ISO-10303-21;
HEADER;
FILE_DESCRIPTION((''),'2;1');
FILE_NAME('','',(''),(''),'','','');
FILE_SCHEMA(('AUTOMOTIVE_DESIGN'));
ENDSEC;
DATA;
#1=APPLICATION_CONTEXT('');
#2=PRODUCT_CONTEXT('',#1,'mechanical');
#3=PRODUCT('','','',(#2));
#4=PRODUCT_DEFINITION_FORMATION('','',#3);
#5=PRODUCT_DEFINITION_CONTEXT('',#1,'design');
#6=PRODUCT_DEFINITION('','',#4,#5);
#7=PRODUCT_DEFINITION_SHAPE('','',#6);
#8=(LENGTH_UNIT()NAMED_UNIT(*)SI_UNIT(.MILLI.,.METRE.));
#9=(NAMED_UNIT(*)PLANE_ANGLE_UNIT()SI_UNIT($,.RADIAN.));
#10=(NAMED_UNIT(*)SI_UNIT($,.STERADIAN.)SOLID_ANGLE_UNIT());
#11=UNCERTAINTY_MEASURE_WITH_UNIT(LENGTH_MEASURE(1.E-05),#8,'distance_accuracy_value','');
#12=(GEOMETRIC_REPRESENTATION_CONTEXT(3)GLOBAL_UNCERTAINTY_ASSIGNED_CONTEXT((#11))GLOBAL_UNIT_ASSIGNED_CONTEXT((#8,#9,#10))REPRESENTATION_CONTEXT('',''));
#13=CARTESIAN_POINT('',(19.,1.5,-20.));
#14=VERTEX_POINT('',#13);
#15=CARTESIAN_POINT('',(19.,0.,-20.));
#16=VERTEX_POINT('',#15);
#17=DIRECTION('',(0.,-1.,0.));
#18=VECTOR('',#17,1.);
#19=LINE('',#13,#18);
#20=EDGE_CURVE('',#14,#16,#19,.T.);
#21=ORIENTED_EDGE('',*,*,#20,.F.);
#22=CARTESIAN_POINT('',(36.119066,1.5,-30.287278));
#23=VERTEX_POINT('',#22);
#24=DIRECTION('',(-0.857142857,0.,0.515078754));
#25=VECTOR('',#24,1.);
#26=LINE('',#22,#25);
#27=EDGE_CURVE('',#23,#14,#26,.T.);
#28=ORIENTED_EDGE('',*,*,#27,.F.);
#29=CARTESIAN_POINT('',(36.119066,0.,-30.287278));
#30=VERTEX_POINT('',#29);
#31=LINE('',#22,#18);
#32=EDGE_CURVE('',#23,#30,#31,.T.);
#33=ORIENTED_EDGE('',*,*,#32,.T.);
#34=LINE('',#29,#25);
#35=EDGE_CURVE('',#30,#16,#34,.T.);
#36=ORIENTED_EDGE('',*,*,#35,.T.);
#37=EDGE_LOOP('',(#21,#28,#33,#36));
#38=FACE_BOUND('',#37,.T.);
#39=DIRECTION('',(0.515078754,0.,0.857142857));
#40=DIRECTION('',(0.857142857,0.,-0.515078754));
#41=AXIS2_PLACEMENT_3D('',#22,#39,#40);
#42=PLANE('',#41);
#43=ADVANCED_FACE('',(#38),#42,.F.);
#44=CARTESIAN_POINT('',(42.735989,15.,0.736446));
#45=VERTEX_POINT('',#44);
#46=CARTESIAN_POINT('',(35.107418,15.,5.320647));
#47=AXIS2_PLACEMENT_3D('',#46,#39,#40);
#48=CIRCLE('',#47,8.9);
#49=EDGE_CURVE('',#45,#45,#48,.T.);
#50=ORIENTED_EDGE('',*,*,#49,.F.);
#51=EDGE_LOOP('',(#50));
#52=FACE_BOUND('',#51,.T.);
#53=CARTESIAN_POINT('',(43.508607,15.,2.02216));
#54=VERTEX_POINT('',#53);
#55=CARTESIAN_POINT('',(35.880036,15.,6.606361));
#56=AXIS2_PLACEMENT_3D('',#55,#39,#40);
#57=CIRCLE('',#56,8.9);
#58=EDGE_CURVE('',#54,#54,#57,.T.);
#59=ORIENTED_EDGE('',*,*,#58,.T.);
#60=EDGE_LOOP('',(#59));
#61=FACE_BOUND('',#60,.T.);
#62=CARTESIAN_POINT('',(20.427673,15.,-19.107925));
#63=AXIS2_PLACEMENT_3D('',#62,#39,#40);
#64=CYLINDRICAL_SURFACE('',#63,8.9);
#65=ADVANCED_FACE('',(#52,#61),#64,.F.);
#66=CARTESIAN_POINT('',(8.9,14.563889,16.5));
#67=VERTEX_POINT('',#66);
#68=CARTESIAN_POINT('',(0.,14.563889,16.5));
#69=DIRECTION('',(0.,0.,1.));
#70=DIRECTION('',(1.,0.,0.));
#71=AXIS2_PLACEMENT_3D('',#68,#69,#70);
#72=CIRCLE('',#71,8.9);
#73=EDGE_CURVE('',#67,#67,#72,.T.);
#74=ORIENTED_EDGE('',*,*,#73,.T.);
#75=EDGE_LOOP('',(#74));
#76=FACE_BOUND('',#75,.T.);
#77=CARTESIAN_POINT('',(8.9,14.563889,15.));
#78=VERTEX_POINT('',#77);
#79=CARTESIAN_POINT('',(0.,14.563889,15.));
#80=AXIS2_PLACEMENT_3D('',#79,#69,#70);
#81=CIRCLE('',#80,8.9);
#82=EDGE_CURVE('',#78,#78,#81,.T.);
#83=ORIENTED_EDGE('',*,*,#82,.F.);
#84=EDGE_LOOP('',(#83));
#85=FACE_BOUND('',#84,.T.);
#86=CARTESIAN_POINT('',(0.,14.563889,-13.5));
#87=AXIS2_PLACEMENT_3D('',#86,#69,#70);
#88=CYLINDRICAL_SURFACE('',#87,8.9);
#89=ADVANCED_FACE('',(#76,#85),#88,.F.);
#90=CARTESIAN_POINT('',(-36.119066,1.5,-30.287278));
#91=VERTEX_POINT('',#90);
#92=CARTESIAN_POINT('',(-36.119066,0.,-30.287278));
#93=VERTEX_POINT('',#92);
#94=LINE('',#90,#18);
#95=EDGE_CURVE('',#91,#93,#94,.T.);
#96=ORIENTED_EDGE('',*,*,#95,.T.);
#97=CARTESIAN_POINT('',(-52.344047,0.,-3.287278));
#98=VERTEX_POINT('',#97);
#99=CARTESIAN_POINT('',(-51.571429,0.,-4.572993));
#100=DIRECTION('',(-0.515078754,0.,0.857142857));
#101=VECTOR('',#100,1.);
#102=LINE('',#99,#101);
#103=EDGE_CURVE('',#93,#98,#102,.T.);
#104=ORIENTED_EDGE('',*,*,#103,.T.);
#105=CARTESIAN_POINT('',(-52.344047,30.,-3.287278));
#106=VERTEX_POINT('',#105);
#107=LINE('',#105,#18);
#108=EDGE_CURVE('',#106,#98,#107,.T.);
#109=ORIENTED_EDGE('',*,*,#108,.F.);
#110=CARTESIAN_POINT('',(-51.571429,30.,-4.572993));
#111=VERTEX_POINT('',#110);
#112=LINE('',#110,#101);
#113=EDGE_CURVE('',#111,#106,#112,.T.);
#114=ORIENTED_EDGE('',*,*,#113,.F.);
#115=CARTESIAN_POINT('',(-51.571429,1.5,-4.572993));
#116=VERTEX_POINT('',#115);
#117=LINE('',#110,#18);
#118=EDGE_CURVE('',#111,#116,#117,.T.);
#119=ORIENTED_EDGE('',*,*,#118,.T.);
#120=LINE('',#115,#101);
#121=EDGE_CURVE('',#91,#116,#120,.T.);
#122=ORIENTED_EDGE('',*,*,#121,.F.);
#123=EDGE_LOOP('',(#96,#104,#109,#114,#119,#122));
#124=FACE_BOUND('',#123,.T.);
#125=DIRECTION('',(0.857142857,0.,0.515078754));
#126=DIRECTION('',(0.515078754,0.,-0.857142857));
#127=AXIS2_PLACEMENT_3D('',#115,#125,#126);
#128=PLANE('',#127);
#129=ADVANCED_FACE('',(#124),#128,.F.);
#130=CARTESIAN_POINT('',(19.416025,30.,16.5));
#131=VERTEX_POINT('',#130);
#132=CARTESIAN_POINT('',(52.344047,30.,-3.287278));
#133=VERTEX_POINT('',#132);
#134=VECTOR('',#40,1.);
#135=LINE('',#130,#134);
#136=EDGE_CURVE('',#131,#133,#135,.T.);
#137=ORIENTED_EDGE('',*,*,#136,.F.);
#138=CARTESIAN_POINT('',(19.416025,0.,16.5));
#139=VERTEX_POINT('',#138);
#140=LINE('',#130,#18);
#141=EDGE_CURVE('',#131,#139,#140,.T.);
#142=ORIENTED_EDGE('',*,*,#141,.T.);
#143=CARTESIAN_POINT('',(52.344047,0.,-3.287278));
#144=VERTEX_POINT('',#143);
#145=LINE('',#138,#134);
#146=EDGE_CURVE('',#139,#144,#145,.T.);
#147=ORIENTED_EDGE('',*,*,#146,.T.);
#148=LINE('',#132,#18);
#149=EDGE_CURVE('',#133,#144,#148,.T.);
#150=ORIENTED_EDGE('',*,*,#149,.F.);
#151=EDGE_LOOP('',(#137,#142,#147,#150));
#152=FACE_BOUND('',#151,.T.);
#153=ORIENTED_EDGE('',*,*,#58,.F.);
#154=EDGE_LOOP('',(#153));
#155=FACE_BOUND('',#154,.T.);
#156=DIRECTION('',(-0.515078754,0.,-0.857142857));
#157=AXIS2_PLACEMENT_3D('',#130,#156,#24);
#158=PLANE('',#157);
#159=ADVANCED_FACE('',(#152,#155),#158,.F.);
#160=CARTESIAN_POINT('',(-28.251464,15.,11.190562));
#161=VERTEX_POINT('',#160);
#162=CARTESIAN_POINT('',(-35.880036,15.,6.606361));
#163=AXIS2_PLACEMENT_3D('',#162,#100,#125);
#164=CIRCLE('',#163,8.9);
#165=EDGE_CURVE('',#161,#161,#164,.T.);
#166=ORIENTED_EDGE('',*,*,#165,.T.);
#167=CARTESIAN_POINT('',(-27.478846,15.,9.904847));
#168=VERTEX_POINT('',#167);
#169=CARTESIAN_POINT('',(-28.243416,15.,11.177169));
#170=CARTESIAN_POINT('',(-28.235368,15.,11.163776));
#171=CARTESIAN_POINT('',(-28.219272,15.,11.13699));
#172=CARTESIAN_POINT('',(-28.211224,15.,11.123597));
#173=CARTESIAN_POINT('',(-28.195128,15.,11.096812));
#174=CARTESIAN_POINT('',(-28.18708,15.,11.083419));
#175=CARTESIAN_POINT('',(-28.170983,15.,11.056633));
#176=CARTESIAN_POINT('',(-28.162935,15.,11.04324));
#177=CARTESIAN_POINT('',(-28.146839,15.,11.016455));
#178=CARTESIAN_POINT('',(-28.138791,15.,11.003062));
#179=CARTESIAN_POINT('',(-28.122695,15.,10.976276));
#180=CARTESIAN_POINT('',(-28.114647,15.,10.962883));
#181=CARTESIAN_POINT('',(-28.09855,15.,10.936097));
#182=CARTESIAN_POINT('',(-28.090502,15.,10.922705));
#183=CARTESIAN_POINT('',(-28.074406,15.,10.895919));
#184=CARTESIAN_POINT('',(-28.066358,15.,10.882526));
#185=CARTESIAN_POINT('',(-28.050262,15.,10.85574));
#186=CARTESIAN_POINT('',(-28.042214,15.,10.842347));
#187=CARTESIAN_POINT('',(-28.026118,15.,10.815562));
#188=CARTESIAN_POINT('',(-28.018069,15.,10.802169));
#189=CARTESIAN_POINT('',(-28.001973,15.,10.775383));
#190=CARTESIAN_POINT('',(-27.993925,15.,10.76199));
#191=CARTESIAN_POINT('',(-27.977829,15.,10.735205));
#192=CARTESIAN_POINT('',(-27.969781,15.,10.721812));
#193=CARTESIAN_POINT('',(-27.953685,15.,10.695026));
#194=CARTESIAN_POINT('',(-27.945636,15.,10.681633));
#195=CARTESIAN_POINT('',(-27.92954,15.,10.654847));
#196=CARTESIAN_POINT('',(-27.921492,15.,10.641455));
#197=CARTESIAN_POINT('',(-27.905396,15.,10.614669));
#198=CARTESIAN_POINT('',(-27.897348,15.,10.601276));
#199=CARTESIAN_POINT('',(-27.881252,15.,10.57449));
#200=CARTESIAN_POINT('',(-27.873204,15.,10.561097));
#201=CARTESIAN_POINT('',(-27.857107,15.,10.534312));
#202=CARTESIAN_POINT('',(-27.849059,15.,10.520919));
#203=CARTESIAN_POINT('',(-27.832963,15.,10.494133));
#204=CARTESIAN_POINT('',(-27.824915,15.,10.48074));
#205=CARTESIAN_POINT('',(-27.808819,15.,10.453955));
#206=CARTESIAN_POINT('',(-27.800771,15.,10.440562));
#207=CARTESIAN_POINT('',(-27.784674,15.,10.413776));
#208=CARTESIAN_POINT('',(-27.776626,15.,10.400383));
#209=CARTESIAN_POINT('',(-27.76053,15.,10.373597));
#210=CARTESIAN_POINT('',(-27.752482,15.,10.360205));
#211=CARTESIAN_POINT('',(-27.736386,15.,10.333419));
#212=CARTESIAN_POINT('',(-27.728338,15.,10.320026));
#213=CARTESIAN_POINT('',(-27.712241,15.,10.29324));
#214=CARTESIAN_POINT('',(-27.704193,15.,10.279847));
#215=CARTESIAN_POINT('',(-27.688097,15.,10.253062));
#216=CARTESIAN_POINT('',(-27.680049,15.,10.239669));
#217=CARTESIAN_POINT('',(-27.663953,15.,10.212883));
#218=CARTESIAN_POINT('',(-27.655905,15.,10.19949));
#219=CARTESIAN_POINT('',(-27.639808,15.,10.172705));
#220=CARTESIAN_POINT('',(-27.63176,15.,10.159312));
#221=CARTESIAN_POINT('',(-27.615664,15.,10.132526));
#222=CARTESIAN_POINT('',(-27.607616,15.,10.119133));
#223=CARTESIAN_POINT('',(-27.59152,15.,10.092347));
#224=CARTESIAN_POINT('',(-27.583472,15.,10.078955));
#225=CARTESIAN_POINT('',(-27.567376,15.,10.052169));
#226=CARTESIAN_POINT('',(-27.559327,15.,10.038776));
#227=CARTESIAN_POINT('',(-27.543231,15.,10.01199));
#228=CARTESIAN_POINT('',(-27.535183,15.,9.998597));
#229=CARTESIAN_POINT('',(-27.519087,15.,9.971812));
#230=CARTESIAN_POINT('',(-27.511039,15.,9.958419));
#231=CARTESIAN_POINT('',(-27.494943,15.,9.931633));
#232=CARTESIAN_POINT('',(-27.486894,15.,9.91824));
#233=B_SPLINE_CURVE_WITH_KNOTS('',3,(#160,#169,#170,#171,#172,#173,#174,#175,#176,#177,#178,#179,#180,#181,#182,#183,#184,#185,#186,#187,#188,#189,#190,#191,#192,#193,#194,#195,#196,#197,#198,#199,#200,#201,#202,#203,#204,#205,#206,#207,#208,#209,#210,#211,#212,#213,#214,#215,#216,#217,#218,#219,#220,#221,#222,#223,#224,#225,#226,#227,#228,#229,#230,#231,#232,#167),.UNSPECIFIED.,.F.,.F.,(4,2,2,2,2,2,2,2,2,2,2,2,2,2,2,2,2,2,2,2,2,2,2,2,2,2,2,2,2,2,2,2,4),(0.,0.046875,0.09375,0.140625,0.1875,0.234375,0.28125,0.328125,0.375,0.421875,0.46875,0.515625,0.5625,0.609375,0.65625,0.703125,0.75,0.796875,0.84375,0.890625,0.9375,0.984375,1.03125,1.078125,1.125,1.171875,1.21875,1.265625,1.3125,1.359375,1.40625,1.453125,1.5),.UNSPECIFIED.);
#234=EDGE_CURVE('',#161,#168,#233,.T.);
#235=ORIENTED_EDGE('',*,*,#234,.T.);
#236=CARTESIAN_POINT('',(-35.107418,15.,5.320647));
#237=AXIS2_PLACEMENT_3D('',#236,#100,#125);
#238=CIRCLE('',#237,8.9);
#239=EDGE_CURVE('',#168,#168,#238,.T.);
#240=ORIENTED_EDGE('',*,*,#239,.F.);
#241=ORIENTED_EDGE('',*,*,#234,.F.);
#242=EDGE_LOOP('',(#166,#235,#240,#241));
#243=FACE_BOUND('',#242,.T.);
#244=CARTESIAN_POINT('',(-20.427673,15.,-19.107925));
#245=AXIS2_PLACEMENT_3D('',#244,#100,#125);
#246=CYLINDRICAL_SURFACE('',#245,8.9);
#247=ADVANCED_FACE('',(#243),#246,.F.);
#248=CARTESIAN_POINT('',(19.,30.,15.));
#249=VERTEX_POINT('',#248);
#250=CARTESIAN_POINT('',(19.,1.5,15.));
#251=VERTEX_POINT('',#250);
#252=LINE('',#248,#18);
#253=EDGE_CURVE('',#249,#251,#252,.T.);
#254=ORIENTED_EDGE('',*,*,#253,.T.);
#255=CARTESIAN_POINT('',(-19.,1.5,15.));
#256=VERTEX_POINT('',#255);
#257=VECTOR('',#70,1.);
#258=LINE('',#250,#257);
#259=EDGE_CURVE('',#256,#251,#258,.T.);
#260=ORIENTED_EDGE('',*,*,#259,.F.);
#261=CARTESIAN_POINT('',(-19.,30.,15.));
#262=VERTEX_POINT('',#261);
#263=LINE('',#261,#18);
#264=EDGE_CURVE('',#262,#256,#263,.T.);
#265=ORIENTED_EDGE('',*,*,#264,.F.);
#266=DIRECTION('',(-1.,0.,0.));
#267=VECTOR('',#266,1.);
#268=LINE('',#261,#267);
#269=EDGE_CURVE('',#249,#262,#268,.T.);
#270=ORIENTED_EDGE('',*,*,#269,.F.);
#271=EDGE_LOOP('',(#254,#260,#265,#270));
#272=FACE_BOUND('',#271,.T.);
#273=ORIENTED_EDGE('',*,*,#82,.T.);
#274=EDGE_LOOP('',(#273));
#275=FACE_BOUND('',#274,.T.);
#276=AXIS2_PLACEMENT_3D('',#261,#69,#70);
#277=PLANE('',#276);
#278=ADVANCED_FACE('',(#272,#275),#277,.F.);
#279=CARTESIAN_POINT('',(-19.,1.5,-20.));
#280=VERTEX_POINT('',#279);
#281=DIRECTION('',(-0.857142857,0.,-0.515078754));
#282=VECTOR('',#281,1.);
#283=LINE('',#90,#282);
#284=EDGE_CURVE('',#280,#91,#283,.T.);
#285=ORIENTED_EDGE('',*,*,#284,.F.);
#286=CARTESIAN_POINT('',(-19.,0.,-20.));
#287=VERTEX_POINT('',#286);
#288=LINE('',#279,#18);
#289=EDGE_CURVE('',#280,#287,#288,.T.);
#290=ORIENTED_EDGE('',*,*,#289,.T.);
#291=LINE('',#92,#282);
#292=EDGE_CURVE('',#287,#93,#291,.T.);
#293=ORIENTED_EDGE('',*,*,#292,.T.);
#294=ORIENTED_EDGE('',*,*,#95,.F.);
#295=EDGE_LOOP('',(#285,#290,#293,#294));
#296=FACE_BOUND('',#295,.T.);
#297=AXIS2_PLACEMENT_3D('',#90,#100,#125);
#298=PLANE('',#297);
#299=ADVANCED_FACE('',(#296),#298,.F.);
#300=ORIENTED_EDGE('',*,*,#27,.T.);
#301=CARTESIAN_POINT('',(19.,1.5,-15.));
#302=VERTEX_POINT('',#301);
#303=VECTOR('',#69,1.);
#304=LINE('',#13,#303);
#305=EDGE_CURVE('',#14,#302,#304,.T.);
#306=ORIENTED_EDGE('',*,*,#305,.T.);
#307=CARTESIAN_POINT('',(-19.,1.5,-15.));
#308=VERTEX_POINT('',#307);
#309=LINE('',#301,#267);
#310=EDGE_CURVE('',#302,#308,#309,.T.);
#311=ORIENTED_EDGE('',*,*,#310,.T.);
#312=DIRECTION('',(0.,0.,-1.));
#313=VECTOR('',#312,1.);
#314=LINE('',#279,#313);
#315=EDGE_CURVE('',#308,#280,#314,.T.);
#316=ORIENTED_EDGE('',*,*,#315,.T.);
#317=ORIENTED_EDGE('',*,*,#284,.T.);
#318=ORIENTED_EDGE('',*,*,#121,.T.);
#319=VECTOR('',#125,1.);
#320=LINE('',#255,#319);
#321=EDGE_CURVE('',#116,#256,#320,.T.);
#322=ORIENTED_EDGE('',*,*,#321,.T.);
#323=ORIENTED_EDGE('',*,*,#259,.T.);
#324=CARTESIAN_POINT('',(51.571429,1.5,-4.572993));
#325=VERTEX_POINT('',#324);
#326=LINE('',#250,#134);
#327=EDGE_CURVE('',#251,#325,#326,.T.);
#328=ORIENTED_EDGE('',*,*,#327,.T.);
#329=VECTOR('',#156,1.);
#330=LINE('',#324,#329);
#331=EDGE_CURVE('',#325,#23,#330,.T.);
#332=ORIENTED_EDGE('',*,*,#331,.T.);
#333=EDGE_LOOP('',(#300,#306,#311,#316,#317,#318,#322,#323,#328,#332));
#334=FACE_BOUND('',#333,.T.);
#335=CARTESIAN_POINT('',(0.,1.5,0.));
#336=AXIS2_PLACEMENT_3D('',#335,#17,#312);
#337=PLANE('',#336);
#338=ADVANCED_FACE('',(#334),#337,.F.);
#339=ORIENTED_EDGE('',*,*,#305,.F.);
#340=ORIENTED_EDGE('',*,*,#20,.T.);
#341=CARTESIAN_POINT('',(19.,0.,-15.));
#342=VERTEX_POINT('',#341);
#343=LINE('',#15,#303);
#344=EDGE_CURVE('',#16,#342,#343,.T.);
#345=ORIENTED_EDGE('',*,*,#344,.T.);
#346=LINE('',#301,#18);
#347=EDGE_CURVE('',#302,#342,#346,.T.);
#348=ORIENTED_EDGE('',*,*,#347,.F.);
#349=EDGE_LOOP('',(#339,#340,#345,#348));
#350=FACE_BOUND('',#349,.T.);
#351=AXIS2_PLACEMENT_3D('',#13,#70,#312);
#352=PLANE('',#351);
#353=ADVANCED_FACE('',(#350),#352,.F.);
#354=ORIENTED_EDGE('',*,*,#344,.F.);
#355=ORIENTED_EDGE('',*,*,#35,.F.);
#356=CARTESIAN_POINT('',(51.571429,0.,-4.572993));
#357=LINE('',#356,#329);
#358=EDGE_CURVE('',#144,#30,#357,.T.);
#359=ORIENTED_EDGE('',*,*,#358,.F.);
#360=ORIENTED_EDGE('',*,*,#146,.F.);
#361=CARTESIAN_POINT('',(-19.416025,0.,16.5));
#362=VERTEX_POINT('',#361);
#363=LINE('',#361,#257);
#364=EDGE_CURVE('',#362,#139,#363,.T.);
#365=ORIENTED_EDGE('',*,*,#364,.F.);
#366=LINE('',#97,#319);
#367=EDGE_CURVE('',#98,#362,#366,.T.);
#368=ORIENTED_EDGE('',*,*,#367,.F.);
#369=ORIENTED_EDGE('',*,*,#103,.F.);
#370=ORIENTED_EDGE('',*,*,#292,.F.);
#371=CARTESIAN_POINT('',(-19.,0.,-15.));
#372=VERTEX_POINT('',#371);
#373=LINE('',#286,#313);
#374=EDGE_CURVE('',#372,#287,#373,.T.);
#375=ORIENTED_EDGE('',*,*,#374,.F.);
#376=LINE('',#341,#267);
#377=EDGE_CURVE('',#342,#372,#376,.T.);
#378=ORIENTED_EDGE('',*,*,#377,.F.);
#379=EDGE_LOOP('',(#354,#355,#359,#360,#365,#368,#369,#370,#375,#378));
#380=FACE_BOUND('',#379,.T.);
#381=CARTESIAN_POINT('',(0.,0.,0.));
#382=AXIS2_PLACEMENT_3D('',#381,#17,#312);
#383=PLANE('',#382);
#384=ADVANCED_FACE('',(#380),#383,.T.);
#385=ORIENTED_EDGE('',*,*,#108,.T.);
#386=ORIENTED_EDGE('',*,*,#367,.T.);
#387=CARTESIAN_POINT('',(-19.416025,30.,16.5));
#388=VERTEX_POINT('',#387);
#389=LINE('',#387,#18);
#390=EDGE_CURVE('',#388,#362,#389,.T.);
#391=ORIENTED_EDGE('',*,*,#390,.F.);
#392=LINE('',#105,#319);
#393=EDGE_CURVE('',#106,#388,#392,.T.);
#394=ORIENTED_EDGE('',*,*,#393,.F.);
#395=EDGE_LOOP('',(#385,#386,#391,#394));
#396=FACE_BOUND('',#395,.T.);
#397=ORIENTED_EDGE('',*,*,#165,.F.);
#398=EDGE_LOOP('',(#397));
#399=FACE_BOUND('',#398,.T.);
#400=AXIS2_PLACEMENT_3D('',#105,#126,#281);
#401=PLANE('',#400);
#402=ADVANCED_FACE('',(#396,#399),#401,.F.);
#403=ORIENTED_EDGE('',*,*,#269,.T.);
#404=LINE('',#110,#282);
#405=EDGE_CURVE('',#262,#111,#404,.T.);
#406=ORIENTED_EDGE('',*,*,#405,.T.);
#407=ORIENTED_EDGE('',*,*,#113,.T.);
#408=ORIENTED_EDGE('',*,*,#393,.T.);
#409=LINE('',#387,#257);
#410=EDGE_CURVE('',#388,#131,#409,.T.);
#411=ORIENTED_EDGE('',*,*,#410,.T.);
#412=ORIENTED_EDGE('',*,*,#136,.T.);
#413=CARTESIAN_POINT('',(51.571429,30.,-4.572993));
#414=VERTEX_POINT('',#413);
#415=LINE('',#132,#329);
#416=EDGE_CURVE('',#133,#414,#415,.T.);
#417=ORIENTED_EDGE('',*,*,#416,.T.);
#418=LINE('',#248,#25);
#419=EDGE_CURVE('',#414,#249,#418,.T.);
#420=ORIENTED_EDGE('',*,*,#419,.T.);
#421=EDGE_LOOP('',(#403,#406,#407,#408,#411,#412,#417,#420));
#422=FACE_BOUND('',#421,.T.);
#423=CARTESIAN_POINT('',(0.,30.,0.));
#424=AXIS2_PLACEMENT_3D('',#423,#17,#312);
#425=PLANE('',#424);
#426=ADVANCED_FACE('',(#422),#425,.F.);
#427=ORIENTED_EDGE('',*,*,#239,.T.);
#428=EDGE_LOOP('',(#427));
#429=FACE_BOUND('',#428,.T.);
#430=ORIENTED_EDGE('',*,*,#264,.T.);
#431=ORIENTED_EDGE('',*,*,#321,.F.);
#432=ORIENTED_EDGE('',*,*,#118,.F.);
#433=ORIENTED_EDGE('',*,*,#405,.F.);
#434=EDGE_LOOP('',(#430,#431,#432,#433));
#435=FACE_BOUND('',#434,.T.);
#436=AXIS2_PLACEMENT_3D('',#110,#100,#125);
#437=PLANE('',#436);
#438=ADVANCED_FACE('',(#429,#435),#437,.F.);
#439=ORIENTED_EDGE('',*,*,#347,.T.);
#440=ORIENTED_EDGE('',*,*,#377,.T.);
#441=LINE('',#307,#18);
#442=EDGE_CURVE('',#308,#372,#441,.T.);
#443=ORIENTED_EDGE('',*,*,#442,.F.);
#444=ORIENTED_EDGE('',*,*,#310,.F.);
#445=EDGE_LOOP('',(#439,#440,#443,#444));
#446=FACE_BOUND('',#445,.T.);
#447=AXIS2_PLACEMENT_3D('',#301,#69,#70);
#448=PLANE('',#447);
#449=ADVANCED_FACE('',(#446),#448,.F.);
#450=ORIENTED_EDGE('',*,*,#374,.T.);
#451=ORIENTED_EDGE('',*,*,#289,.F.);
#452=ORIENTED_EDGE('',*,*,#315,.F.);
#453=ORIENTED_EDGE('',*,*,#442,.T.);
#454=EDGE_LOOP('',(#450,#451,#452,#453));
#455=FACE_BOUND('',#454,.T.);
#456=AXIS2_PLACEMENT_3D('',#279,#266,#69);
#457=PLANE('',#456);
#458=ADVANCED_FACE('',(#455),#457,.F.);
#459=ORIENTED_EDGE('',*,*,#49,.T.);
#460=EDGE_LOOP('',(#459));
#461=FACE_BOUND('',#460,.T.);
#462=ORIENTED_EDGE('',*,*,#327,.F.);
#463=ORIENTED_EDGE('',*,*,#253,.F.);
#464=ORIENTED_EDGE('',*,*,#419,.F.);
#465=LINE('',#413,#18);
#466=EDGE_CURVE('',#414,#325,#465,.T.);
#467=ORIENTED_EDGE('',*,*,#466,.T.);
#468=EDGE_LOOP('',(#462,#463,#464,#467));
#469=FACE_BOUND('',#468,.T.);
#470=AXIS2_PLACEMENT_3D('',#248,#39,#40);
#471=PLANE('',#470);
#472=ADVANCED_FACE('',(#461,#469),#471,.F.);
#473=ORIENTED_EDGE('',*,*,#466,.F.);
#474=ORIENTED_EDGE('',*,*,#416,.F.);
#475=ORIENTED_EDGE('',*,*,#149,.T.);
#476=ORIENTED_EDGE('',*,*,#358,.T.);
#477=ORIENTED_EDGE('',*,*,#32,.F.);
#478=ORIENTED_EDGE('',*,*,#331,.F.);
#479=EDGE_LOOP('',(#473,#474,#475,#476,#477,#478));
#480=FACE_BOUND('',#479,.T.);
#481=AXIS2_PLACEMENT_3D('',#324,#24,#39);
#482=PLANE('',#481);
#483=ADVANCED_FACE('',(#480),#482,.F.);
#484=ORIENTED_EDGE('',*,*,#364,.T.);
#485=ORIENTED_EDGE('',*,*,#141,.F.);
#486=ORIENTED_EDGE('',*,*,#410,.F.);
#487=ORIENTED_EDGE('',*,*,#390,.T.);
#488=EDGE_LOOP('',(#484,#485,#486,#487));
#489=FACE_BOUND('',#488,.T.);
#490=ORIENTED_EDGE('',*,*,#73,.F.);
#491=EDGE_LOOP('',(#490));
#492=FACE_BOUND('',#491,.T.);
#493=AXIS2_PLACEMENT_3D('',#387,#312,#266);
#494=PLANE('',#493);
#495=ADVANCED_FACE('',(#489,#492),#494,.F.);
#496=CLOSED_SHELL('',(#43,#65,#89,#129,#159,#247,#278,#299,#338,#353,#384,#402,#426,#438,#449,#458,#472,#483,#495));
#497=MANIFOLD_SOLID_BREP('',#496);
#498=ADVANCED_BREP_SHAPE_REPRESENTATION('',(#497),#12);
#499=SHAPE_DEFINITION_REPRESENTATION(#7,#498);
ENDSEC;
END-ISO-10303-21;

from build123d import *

# Parameters (mm, degrees)
SALIENTE_EXTRUIR1_DEPTH = 1.5
SALIENTE_EXTRUIR2_DEPTH = 30
CROQUIS3_R              = 8.9
CORTAR_EXTRUIR1_DEPTH   = 30
CROQUIS4_R              = 8.9
CORTAR_EXTRUIR2_DEPTH   = 30
CROQUIS5_R              = 8.9
CORTAR_EXTRUIR3_DEPTH   = 30


with BuildPart() as part:
    # Croquis1 → Saliente-Extruir1 (new body)
    with BuildSketch(Plane(origin=(0, 0, 0), x_dir=(1, 0, 0), z_dir=(0, 1, 0))):
        Polygon((-19, -15), (-51.571428571, 4.572992638), (-36.119065962, 30.287278353), (-19, 20), (-19, 15), (19, 15), (19, 20), (36.119065962, 30.287278353), (51.571428571, 4.572992638), (19, -15), align=None)
    extrude(amount=SALIENTE_EXTRUIR1_DEPTH)

    # Croquis2 → Saliente-Extruir2 (add)
    with BuildSketch(Plane(origin=(0, 0, 0), x_dir=(1, 0, 0), z_dir=(0, 1, 0))):
        Polygon((-51.571428571, 4.572992638), (-52.344046702, 3.287278353), (-19.416025147, -16.5), (19.416025147, -16.5), (52.344046702, 3.287278353), (51.571428571, 4.572992638), (19, -15), (-19, -15), align=None)
    extrude(amount=SALIENTE_EXTRUIR2_DEPTH)

    # Croquis3 → Cortar-Extruir1 (cut)
    with BuildSketch(Plane.XY.offset(16.5)):
        with Locations((0, 14.563888597)):
            Circle(CROQUIS3_R)
    extrude(amount=-CORTAR_EXTRUIR1_DEPTH, mode=Mode.SUBTRACT)

    # Croquis4 → Cortar-Extruir2 (cut)
    with BuildSketch(Plane(origin=(12.435875575, 0, 20.694547865), x_dir=(0.8571428571428564, 0, -0.5150787536377139), z_dir=(0.5150787536377139, 0, 0.8571428571428564))):
        with Locations((27.351520408, 15)):
            Circle(CROQUIS4_R)
    extrude(amount=-CORTAR_EXTRUIR2_DEPTH, mode=Mode.SUBTRACT)

    # Croquis5 → Cortar-Extruir3 (cut)
    with BuildSketch(Plane(origin=(-12.435875575, 0, 20.694547865), x_dir=(0.8571428571428567, 0, 0.5150787536377137), z_dir=(-0.5150787536377136, 0, 0.8571428571428565))):
        with Locations((-27.351520408, 15)):
            Circle(CROQUIS5_R)
    extrude(amount=-CORTAR_EXTRUIR3_DEPTH, mode=Mode.SUBTRACT)


solid = part.part
